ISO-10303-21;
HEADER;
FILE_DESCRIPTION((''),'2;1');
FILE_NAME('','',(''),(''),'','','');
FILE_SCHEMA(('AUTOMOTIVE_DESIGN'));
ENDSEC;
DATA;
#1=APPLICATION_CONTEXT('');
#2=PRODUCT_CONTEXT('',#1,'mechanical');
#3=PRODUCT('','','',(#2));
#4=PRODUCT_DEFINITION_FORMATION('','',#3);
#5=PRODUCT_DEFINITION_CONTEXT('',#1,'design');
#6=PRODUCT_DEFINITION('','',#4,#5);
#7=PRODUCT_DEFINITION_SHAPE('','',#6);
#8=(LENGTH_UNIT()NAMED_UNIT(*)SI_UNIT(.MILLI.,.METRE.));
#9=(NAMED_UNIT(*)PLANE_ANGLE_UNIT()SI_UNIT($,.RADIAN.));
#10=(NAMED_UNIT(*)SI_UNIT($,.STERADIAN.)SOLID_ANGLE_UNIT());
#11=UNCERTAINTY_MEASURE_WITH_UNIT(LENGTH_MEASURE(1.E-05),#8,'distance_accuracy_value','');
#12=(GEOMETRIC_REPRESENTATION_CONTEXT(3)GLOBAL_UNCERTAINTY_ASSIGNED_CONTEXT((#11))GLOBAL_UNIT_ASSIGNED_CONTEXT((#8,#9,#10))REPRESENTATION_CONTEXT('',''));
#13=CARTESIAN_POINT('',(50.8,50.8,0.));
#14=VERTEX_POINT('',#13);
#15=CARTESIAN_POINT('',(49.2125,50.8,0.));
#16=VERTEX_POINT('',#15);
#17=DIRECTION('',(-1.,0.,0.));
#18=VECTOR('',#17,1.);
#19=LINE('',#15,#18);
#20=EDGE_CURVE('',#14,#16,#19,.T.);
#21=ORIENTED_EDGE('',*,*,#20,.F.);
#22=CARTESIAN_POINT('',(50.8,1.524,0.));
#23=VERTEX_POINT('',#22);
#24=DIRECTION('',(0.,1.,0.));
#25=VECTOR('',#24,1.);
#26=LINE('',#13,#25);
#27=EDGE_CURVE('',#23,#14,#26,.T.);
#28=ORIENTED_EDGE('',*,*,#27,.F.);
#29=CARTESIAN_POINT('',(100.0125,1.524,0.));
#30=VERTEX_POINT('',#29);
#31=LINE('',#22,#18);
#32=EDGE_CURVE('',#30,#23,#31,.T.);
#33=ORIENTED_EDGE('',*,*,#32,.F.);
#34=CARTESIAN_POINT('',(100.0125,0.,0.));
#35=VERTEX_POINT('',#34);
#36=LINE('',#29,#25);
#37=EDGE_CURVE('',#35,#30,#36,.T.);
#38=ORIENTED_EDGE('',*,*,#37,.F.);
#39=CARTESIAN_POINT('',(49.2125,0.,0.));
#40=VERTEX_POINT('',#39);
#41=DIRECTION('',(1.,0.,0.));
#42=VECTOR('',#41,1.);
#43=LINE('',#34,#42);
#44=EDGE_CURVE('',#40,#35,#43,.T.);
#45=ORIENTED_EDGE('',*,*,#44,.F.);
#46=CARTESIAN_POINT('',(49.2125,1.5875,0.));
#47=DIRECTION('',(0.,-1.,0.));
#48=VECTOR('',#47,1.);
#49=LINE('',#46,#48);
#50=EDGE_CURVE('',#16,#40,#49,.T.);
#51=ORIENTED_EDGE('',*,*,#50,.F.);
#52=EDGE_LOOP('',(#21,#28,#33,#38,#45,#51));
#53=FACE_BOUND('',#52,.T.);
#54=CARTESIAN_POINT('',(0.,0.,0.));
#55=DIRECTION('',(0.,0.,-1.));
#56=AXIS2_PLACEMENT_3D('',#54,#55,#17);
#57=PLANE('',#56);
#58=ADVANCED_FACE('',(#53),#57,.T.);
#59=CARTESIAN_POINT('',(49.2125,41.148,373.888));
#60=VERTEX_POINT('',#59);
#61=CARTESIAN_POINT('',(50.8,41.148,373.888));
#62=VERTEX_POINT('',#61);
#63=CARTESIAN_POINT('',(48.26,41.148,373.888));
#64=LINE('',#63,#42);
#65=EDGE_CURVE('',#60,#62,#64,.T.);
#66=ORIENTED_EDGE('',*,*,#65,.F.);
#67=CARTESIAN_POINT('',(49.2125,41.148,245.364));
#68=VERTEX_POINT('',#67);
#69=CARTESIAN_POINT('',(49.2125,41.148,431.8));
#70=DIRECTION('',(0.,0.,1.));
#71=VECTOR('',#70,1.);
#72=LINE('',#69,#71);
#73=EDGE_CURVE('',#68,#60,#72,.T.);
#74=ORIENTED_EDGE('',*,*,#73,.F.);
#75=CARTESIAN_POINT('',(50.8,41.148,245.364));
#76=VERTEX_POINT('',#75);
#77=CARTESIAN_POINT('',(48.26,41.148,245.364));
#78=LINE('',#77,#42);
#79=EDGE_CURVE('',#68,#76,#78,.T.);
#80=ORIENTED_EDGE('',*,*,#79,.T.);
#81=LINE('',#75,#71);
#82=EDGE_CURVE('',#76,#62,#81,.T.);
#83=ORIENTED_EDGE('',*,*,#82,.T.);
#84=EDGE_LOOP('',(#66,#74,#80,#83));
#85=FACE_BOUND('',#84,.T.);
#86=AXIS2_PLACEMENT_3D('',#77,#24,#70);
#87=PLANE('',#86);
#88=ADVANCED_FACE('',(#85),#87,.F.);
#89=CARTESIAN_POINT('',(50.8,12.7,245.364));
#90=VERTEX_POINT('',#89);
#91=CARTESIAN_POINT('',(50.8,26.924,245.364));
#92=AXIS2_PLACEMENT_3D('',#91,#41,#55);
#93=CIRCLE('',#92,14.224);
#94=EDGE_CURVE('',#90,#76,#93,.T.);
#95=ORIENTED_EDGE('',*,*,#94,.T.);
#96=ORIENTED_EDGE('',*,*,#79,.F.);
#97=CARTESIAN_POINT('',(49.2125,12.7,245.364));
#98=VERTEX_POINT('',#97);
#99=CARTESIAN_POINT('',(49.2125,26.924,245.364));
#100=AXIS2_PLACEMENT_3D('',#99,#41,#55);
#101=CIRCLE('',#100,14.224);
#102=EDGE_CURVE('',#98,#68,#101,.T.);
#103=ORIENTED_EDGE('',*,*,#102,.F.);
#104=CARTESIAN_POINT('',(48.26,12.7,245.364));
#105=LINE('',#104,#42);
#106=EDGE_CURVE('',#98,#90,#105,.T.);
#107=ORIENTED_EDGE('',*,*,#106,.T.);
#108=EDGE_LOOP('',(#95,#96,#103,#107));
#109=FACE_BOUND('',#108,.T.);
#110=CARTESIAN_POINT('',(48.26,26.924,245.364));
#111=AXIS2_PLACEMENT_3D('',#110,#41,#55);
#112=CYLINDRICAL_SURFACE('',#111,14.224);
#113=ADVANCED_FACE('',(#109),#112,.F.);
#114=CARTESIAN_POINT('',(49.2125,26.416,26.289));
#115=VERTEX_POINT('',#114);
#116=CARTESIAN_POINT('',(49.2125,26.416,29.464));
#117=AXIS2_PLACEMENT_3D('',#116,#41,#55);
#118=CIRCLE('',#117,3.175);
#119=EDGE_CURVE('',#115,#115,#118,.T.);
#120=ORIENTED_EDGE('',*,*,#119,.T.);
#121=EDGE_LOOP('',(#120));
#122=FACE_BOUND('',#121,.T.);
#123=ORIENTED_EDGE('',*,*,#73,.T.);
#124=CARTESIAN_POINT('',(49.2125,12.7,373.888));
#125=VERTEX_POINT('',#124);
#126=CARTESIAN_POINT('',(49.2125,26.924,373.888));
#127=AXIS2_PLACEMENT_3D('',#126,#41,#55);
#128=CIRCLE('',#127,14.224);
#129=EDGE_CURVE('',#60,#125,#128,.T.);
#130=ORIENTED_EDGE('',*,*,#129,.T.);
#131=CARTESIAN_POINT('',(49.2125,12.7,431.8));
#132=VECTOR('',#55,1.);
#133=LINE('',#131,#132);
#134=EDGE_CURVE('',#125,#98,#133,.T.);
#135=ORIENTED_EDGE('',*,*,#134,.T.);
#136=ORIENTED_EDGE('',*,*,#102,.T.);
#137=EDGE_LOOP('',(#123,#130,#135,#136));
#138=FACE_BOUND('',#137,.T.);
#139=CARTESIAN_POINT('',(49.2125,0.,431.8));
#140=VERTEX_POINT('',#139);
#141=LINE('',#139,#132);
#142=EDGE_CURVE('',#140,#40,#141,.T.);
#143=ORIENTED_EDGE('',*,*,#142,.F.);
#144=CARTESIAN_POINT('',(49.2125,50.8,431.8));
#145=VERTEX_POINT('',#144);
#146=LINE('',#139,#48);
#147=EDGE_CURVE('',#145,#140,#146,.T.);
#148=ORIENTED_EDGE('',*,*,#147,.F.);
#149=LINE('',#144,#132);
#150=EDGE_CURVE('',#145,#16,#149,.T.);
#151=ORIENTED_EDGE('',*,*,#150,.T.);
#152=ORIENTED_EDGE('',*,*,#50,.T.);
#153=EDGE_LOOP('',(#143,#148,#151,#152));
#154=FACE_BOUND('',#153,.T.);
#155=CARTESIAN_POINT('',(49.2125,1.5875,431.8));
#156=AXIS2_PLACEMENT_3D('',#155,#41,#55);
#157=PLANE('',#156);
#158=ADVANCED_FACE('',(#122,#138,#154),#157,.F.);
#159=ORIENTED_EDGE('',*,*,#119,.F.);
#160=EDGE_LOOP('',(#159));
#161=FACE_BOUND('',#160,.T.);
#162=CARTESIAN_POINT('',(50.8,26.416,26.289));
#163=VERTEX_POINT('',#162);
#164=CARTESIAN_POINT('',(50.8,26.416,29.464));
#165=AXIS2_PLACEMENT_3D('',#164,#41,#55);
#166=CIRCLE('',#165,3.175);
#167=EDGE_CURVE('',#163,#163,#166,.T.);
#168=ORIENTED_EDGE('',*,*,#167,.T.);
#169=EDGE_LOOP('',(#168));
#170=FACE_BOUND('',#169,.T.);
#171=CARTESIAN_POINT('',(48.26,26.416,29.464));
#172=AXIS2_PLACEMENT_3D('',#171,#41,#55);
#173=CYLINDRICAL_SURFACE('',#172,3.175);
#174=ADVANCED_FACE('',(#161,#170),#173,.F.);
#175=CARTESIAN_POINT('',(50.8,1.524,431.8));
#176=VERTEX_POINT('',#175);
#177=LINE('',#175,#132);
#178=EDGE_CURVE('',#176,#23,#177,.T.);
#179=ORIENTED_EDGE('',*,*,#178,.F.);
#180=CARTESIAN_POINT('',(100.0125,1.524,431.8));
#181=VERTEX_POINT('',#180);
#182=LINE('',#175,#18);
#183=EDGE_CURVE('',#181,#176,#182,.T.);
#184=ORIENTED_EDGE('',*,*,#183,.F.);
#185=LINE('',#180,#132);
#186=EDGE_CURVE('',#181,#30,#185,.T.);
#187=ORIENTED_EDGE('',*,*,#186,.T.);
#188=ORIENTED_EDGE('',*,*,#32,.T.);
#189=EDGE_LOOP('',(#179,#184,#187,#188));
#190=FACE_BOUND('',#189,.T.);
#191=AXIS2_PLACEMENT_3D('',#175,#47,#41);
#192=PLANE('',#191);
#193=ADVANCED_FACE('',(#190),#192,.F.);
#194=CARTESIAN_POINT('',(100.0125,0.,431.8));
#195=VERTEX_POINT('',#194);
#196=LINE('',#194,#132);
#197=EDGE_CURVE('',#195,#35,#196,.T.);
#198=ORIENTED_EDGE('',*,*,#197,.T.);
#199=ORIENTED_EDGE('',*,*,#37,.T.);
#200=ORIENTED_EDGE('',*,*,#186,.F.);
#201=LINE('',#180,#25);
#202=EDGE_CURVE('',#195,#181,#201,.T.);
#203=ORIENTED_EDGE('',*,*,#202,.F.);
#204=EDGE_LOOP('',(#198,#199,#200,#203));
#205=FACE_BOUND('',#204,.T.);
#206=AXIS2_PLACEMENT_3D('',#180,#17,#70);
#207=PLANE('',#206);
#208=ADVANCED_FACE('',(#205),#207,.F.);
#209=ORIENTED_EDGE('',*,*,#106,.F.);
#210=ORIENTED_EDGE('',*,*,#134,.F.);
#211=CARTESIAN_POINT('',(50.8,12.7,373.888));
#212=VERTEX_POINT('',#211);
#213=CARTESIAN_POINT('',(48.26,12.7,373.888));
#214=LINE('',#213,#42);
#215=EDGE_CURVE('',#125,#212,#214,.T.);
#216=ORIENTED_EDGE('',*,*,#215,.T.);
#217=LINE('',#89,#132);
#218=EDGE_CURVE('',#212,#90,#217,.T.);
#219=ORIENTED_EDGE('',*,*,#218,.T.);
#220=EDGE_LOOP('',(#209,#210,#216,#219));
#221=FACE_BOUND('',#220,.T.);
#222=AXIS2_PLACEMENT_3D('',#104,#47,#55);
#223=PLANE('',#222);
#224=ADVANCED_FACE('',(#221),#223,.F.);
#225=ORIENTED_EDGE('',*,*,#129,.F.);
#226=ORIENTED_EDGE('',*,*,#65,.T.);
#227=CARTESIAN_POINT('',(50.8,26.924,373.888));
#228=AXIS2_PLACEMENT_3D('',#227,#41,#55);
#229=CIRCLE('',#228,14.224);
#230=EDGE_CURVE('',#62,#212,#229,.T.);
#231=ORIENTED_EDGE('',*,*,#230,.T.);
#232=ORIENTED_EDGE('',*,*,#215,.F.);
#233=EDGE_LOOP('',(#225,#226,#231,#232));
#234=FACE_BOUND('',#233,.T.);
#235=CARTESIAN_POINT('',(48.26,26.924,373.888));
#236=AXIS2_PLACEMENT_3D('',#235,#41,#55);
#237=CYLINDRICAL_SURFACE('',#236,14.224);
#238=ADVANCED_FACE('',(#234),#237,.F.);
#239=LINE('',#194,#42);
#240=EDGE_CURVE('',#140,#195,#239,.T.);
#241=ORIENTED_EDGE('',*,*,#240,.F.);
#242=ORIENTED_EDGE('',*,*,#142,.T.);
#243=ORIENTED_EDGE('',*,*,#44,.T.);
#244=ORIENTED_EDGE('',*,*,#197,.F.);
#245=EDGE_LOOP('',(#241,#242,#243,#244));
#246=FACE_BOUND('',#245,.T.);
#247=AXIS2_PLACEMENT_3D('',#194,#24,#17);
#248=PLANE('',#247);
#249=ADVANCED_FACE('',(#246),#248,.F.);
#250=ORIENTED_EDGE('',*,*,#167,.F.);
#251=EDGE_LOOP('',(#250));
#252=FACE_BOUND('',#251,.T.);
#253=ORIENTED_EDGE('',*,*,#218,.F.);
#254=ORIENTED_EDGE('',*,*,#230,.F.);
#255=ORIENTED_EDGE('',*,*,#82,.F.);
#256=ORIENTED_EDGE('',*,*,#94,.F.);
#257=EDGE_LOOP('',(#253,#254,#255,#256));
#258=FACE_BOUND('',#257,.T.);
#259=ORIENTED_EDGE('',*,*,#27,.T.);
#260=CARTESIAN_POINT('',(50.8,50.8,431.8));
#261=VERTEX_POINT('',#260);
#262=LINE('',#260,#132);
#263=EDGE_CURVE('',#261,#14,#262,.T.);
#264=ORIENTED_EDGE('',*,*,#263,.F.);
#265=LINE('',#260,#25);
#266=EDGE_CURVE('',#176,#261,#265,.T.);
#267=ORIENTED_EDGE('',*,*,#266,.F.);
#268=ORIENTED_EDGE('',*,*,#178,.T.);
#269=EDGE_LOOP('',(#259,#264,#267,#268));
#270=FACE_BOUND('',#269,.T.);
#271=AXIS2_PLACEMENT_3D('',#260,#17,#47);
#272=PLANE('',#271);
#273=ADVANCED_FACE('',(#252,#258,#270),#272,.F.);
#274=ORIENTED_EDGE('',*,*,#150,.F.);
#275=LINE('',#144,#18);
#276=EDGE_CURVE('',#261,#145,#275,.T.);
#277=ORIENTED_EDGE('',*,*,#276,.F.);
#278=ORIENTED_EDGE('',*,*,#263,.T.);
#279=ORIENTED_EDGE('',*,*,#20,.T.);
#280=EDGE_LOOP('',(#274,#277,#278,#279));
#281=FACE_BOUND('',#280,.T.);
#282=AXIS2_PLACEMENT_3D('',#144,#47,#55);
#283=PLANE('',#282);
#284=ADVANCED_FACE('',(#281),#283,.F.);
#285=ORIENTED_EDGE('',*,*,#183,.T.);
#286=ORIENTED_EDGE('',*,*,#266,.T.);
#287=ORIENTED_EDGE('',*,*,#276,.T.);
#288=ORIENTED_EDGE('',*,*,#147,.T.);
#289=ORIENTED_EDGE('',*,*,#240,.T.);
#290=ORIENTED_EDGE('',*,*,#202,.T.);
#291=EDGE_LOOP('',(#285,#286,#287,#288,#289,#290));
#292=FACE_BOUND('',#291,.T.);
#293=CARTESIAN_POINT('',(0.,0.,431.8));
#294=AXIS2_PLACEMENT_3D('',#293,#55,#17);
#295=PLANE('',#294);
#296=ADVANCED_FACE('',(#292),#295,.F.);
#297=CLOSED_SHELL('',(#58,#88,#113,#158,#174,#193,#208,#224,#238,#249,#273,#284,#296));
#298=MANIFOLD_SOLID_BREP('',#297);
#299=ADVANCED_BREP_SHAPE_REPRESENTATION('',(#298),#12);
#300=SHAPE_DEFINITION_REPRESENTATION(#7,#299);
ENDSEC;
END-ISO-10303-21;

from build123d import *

# Parameters (mm, degrees)
BOSS_EXTRUDE2_DEPTH = 431.8
SKETCH8_R           = 3.175
CUT_EXTRUDE6_DEPTH  = 2.54


with BuildPart() as part:
    # Sketch3 → Boss-Extrude2 (new body)
    with BuildSketch(Plane.XY):
        Polygon((49.2125, 1.5875), (49.2125, 50.8), (50.8, 50.8), (50.8, 1.524), (100.0125, 1.524), (100.0125, 0), (49.2125, 0), align=None)
    extrude(amount=BOSS_EXTRUDE2_DEPTH)

    # Sketch8 → Cut-Extrude6 (cut)
    with BuildSketch(Plane(origin=(50.8, 0, 0), x_dir=(0, 0, -1), z_dir=(1, 0, 0))):
        with Locations((-29.464, 26.416)):
            Circle(SKETCH8_R)
        with BuildLine():
            Line((-245.364, 12.7), (-373.888, 12.7))
            ThreePointArc((-373.888, 12.7), (-388.112, 26.924), (-373.888, 41.148))
            Line((-373.888, 41.148), (-245.364, 41.148))
            ThreePointArc((-245.364, 41.148), (-231.14, 26.924), (-245.364, 12.7))
        make_face()
    extrude(amount=-CUT_EXTRUDE6_DEPTH, mode=Mode.SUBTRACT)


solid = part.part
